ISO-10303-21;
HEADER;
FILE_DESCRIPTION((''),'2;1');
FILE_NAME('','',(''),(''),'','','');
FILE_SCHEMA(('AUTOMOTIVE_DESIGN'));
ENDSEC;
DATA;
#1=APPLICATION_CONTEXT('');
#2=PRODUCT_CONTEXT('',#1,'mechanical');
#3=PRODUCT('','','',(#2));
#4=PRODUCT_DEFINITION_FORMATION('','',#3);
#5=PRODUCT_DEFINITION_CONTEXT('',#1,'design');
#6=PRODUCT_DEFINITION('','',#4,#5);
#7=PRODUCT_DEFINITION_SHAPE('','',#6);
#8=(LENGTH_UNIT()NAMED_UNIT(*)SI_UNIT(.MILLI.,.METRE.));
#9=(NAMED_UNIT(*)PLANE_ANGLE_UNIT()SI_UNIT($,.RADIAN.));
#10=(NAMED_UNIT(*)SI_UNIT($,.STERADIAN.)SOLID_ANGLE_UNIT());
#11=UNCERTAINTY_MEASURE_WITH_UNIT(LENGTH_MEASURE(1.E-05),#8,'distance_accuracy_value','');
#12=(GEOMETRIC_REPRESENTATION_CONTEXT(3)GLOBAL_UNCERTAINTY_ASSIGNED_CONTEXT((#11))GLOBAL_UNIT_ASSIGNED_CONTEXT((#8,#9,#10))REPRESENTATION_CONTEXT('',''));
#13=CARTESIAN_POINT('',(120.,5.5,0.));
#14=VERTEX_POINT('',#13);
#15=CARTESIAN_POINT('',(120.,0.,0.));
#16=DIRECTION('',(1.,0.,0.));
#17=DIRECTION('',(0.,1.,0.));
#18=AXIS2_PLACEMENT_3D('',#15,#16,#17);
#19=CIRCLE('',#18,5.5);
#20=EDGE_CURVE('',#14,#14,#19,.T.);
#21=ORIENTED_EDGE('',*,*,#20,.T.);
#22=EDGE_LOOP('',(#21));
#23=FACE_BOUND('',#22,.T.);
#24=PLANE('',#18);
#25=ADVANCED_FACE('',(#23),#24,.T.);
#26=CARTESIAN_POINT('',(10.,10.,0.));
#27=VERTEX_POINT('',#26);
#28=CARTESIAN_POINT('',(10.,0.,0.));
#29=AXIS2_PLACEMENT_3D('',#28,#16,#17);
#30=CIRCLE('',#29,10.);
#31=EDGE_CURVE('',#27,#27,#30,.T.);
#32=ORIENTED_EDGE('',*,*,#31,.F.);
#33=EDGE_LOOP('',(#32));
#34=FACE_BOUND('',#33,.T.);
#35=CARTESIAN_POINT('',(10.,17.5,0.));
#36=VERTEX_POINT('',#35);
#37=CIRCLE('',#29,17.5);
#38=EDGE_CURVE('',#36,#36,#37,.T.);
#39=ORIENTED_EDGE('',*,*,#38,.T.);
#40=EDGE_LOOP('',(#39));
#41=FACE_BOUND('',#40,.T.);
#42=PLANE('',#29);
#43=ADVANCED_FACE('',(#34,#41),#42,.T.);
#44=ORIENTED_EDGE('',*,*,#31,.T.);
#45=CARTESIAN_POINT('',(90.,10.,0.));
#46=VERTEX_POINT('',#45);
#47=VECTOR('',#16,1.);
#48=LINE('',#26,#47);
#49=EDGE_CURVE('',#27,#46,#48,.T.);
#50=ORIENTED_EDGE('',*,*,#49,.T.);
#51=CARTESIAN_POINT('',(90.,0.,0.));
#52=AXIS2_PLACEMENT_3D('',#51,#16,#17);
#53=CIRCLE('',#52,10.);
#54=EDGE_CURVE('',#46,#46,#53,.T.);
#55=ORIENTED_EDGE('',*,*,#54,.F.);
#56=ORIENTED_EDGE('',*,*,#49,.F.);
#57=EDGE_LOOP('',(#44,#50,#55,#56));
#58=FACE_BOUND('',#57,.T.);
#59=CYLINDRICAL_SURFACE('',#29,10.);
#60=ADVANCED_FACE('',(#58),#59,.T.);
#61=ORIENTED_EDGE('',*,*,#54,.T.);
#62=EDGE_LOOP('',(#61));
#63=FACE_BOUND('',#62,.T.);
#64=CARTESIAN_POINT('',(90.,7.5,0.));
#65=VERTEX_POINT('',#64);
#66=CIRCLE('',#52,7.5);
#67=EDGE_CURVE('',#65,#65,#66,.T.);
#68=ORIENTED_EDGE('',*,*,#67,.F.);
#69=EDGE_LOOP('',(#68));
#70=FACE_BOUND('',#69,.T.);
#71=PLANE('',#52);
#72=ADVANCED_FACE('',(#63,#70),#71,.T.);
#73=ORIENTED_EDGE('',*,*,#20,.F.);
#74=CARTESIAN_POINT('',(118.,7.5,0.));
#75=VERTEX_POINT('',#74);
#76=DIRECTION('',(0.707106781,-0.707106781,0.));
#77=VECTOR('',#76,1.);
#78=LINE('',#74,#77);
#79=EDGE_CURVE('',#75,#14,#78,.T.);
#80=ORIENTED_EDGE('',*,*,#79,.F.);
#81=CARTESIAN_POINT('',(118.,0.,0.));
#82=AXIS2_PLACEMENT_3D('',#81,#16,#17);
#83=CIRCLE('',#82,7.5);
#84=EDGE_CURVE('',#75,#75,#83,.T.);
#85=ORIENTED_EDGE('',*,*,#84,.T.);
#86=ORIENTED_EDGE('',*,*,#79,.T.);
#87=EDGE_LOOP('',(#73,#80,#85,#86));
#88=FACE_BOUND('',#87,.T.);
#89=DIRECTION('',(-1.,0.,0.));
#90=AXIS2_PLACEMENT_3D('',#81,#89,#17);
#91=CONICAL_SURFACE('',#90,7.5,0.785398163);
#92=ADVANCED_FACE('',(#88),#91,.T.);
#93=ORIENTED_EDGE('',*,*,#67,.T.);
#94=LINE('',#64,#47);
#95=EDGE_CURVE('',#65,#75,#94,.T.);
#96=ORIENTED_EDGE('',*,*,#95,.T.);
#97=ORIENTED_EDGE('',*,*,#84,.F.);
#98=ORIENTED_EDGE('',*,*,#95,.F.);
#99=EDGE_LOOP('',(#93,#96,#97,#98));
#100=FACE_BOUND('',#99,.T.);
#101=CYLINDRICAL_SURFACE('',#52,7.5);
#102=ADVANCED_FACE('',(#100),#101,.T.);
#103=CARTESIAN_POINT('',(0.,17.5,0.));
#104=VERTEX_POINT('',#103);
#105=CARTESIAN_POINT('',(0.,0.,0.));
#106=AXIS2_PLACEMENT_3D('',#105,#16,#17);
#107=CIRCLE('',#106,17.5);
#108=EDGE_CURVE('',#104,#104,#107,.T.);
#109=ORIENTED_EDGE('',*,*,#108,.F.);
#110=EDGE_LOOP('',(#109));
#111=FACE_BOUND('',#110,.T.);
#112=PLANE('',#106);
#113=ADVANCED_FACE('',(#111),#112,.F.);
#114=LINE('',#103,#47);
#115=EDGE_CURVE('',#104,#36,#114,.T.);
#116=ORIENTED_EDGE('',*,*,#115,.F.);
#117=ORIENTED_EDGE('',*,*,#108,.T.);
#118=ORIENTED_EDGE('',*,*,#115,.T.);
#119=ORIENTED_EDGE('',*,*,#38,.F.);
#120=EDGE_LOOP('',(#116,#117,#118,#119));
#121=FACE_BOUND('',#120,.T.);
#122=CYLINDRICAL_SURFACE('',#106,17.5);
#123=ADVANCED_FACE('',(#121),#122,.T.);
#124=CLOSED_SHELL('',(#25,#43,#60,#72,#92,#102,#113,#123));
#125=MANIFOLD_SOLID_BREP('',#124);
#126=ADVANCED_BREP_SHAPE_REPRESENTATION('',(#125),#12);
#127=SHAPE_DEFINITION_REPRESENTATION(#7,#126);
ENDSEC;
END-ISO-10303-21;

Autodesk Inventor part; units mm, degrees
ref_plane "Начальная плоскость" through (0, 0, 0) normal (1, 0, 0) x (0, 1, 0)
ref_plane "XZ Plane" through (0, 0, 0) normal (0, 1, 0) x (-1, 0, 0)
ref_plane "XY Plane" through (0, 0, 0) normal (0, 0, 1) x (1, 0, 0)
sketch "Основной эскиз" plane through (0, 0, 0) normal (0, 0, 1) x (1, 0, 0)
  line L0 (0, 0) -> (120, 0)
  line L1 (0, 0) -> (0, 17.5)
  line L2 (10, 17.5) -> (10, 10)
  line L3 (0, 17.5) -> (10, 17.5)
  line L4 (90, 10) -> (90, 7.5)
  line L5 (10, 10) -> (90, 10)
  line L6 (120, 7.5) -> (120, 0)
  line L7 (90, 7.5) -> (120, 7.5)
  dimension "d3" = 35
  dimension "d4" = 20
  dimension "d5" = 15
revolve "Вращение1" add sketch "Основной эскиз" angle 360 about axis through (0, 0, 0) along (1, 0, 0)
chamfer "Фаска1" distance 2 angle 45 1 edges at (120, -7.5, 0) measured on face at (100, 7.4757, -0.6035)
properties part number "Вал" material "Steel"
